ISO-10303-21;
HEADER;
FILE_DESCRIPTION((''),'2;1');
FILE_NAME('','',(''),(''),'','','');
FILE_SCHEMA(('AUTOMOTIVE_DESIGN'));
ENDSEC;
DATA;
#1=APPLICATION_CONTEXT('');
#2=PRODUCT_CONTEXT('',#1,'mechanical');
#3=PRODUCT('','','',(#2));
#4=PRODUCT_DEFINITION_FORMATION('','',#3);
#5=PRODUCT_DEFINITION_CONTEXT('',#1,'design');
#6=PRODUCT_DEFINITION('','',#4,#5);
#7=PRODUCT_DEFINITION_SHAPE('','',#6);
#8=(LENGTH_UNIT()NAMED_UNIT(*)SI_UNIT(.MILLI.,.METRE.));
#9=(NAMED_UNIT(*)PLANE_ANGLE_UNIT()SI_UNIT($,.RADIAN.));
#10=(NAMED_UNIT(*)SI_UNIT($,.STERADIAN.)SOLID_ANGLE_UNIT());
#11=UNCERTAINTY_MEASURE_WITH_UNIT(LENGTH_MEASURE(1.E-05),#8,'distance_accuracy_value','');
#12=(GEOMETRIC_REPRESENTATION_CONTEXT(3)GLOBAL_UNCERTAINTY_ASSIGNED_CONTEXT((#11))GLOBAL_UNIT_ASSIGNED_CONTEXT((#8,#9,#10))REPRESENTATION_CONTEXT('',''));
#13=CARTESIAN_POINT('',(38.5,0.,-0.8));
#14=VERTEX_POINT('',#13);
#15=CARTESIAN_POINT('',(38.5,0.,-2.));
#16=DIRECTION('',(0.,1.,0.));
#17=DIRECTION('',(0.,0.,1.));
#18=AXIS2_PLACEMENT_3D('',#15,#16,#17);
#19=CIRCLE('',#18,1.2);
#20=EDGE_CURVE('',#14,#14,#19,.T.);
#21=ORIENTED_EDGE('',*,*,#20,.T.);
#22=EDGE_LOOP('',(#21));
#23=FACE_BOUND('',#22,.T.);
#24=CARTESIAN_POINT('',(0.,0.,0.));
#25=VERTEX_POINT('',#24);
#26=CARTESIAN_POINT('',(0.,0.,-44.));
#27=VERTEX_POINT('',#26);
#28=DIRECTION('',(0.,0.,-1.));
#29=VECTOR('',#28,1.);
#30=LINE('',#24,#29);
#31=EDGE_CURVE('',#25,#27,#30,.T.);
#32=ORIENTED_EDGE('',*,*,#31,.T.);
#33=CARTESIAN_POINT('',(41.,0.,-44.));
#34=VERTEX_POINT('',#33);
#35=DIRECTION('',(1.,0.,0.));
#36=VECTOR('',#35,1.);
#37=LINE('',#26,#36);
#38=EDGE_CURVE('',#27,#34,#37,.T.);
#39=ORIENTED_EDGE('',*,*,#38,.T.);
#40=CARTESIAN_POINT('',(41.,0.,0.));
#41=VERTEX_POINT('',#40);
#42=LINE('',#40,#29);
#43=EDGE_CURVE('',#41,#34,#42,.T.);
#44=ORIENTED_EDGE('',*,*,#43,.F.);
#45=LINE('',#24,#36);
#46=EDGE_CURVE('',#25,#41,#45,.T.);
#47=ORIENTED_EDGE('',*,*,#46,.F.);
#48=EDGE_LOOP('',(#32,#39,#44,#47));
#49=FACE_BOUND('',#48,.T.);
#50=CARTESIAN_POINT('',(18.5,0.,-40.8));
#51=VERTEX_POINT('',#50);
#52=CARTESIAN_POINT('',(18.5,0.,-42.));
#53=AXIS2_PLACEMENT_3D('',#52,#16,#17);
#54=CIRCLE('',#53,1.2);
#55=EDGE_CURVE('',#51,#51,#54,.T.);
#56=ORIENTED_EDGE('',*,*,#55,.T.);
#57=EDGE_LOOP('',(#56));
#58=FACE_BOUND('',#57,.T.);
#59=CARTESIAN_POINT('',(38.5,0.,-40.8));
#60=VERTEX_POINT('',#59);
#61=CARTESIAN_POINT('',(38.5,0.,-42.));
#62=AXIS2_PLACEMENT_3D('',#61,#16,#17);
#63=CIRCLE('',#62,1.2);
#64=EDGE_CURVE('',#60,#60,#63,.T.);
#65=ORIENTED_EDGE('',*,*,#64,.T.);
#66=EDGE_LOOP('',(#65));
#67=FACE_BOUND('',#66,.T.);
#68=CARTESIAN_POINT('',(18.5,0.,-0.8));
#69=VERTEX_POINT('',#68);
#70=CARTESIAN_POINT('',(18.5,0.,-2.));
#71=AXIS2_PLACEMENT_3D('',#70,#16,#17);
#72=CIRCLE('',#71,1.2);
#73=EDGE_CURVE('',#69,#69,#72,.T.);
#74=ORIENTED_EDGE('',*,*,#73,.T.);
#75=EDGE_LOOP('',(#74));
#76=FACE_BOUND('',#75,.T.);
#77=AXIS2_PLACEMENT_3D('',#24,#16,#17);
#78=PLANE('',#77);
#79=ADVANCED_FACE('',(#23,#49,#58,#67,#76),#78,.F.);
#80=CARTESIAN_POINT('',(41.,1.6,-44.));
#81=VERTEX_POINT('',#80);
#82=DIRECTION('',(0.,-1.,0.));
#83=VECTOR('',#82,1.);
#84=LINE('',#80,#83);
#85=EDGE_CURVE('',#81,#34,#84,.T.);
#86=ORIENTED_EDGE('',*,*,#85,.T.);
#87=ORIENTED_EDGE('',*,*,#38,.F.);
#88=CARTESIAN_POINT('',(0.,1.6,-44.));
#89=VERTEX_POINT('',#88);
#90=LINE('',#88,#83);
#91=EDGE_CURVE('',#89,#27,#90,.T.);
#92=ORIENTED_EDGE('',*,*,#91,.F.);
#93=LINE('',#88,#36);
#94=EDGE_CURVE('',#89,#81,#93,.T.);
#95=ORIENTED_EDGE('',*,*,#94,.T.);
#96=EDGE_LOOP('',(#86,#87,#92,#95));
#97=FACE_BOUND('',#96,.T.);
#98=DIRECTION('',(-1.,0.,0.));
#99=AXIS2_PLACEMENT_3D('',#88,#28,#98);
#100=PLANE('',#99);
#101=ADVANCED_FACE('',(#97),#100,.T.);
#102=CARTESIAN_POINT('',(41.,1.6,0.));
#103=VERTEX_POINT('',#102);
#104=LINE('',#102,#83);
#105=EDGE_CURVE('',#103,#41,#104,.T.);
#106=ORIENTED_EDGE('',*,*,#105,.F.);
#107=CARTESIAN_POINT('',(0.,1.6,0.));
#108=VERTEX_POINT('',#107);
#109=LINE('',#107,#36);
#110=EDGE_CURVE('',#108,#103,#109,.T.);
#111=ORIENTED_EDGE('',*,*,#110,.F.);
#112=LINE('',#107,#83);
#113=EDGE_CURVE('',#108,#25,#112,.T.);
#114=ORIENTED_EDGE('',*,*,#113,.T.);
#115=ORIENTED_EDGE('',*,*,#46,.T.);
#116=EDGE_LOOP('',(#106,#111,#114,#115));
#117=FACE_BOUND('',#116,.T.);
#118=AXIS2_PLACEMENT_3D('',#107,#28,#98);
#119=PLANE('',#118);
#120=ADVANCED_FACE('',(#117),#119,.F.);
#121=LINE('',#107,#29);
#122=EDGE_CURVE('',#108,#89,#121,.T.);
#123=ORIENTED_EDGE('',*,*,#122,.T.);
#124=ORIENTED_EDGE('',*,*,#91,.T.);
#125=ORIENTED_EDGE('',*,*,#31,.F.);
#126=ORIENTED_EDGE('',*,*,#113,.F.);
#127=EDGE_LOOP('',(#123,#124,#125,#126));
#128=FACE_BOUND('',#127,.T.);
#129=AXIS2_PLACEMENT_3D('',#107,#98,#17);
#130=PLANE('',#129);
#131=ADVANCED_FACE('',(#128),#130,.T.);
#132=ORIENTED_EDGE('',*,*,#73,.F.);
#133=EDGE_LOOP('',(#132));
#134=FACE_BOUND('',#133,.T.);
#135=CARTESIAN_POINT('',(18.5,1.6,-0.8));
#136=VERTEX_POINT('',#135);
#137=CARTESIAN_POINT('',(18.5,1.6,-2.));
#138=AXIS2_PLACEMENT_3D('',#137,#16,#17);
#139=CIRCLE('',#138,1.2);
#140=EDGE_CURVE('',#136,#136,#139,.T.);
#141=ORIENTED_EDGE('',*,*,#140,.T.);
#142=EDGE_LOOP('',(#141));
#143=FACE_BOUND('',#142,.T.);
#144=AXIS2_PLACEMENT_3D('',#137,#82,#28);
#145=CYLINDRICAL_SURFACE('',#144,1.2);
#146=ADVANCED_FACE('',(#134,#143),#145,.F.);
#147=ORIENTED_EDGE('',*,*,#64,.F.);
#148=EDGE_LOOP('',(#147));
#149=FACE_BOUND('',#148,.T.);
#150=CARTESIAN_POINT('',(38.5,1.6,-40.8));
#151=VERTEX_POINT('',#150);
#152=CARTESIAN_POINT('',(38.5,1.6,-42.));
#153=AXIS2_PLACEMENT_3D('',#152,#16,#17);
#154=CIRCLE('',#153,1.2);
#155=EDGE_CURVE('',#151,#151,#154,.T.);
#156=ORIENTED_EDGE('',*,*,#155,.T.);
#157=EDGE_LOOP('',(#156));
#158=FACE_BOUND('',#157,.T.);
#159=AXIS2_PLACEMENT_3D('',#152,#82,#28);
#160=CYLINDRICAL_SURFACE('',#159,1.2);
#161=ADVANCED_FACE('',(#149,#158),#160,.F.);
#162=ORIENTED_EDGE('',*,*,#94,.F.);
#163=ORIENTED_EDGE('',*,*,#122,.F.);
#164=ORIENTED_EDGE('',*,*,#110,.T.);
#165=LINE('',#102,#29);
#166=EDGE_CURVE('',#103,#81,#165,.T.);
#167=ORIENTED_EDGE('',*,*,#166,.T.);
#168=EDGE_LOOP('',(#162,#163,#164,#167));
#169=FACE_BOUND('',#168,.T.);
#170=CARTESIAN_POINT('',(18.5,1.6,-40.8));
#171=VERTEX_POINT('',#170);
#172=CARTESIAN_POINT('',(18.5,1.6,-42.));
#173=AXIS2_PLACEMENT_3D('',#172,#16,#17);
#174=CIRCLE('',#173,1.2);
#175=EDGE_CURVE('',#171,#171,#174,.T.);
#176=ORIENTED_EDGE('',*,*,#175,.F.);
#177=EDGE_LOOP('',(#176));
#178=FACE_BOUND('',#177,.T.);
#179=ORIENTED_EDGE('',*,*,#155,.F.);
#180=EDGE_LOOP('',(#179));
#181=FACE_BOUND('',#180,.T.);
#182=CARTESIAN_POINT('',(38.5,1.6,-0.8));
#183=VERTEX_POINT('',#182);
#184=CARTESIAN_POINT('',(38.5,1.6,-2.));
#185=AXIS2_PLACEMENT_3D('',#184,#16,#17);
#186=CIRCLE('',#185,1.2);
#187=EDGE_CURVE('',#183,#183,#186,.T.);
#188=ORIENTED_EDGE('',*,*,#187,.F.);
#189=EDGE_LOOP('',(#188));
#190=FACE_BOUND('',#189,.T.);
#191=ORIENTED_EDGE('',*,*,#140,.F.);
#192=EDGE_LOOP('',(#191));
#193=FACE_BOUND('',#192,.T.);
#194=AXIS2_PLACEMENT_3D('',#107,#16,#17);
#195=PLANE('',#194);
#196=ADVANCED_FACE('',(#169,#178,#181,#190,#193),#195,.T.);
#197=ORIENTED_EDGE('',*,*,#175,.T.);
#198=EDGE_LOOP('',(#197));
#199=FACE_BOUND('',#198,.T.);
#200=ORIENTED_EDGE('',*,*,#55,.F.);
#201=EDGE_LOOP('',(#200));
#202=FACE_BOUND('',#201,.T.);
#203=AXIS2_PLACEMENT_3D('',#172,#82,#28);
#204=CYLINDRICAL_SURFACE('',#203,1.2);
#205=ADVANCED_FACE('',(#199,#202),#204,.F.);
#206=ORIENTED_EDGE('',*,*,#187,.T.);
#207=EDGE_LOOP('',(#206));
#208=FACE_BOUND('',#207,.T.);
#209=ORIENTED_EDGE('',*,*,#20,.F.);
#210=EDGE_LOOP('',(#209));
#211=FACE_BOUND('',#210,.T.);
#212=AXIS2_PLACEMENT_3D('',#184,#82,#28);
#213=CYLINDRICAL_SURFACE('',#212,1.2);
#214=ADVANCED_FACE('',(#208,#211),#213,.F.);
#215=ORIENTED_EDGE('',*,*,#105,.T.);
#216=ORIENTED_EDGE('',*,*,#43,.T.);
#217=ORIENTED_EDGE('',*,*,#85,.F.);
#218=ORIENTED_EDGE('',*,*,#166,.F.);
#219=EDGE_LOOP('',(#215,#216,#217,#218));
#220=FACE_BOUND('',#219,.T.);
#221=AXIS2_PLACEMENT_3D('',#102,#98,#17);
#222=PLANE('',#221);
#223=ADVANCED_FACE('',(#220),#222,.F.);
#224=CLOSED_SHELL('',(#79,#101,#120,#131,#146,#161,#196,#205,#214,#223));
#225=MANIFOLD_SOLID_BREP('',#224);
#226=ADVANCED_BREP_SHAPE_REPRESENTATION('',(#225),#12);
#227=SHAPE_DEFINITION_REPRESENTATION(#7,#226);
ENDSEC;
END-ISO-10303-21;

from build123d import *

# Parameters (mm, degrees)
SKETCH1_W           = 41
SKETCH1_H           = 44
SKETCH1_R           = 1.2
BOSS_EXTRUDE1_DEPTH = 1.6


with BuildPart() as part:
    # Sketch1 → Boss-Extrude1 (new body)
    with BuildSketch(Plane(origin=(0, 0, 0), x_dir=(1, 0, 0), z_dir=(0, 1, 0))):
        with Locations((20.5, 22)):
            Rectangle(SKETCH1_W, SKETCH1_H)
        with Locations((18.5, 2)):
            Circle(SKETCH1_R, mode=Mode.SUBTRACT)
        with Locations((38.5, 2)):
            Circle(SKETCH1_R, mode=Mode.SUBTRACT)
        with Locations((18.5, 42)):
            Circle(SKETCH1_R, mode=Mode.SUBTRACT)
        with Locations((38.5, 42)):
            Circle(SKETCH1_R, mode=Mode.SUBTRACT)
    extrude(amount=BOSS_EXTRUDE1_DEPTH)


solid = part.part
